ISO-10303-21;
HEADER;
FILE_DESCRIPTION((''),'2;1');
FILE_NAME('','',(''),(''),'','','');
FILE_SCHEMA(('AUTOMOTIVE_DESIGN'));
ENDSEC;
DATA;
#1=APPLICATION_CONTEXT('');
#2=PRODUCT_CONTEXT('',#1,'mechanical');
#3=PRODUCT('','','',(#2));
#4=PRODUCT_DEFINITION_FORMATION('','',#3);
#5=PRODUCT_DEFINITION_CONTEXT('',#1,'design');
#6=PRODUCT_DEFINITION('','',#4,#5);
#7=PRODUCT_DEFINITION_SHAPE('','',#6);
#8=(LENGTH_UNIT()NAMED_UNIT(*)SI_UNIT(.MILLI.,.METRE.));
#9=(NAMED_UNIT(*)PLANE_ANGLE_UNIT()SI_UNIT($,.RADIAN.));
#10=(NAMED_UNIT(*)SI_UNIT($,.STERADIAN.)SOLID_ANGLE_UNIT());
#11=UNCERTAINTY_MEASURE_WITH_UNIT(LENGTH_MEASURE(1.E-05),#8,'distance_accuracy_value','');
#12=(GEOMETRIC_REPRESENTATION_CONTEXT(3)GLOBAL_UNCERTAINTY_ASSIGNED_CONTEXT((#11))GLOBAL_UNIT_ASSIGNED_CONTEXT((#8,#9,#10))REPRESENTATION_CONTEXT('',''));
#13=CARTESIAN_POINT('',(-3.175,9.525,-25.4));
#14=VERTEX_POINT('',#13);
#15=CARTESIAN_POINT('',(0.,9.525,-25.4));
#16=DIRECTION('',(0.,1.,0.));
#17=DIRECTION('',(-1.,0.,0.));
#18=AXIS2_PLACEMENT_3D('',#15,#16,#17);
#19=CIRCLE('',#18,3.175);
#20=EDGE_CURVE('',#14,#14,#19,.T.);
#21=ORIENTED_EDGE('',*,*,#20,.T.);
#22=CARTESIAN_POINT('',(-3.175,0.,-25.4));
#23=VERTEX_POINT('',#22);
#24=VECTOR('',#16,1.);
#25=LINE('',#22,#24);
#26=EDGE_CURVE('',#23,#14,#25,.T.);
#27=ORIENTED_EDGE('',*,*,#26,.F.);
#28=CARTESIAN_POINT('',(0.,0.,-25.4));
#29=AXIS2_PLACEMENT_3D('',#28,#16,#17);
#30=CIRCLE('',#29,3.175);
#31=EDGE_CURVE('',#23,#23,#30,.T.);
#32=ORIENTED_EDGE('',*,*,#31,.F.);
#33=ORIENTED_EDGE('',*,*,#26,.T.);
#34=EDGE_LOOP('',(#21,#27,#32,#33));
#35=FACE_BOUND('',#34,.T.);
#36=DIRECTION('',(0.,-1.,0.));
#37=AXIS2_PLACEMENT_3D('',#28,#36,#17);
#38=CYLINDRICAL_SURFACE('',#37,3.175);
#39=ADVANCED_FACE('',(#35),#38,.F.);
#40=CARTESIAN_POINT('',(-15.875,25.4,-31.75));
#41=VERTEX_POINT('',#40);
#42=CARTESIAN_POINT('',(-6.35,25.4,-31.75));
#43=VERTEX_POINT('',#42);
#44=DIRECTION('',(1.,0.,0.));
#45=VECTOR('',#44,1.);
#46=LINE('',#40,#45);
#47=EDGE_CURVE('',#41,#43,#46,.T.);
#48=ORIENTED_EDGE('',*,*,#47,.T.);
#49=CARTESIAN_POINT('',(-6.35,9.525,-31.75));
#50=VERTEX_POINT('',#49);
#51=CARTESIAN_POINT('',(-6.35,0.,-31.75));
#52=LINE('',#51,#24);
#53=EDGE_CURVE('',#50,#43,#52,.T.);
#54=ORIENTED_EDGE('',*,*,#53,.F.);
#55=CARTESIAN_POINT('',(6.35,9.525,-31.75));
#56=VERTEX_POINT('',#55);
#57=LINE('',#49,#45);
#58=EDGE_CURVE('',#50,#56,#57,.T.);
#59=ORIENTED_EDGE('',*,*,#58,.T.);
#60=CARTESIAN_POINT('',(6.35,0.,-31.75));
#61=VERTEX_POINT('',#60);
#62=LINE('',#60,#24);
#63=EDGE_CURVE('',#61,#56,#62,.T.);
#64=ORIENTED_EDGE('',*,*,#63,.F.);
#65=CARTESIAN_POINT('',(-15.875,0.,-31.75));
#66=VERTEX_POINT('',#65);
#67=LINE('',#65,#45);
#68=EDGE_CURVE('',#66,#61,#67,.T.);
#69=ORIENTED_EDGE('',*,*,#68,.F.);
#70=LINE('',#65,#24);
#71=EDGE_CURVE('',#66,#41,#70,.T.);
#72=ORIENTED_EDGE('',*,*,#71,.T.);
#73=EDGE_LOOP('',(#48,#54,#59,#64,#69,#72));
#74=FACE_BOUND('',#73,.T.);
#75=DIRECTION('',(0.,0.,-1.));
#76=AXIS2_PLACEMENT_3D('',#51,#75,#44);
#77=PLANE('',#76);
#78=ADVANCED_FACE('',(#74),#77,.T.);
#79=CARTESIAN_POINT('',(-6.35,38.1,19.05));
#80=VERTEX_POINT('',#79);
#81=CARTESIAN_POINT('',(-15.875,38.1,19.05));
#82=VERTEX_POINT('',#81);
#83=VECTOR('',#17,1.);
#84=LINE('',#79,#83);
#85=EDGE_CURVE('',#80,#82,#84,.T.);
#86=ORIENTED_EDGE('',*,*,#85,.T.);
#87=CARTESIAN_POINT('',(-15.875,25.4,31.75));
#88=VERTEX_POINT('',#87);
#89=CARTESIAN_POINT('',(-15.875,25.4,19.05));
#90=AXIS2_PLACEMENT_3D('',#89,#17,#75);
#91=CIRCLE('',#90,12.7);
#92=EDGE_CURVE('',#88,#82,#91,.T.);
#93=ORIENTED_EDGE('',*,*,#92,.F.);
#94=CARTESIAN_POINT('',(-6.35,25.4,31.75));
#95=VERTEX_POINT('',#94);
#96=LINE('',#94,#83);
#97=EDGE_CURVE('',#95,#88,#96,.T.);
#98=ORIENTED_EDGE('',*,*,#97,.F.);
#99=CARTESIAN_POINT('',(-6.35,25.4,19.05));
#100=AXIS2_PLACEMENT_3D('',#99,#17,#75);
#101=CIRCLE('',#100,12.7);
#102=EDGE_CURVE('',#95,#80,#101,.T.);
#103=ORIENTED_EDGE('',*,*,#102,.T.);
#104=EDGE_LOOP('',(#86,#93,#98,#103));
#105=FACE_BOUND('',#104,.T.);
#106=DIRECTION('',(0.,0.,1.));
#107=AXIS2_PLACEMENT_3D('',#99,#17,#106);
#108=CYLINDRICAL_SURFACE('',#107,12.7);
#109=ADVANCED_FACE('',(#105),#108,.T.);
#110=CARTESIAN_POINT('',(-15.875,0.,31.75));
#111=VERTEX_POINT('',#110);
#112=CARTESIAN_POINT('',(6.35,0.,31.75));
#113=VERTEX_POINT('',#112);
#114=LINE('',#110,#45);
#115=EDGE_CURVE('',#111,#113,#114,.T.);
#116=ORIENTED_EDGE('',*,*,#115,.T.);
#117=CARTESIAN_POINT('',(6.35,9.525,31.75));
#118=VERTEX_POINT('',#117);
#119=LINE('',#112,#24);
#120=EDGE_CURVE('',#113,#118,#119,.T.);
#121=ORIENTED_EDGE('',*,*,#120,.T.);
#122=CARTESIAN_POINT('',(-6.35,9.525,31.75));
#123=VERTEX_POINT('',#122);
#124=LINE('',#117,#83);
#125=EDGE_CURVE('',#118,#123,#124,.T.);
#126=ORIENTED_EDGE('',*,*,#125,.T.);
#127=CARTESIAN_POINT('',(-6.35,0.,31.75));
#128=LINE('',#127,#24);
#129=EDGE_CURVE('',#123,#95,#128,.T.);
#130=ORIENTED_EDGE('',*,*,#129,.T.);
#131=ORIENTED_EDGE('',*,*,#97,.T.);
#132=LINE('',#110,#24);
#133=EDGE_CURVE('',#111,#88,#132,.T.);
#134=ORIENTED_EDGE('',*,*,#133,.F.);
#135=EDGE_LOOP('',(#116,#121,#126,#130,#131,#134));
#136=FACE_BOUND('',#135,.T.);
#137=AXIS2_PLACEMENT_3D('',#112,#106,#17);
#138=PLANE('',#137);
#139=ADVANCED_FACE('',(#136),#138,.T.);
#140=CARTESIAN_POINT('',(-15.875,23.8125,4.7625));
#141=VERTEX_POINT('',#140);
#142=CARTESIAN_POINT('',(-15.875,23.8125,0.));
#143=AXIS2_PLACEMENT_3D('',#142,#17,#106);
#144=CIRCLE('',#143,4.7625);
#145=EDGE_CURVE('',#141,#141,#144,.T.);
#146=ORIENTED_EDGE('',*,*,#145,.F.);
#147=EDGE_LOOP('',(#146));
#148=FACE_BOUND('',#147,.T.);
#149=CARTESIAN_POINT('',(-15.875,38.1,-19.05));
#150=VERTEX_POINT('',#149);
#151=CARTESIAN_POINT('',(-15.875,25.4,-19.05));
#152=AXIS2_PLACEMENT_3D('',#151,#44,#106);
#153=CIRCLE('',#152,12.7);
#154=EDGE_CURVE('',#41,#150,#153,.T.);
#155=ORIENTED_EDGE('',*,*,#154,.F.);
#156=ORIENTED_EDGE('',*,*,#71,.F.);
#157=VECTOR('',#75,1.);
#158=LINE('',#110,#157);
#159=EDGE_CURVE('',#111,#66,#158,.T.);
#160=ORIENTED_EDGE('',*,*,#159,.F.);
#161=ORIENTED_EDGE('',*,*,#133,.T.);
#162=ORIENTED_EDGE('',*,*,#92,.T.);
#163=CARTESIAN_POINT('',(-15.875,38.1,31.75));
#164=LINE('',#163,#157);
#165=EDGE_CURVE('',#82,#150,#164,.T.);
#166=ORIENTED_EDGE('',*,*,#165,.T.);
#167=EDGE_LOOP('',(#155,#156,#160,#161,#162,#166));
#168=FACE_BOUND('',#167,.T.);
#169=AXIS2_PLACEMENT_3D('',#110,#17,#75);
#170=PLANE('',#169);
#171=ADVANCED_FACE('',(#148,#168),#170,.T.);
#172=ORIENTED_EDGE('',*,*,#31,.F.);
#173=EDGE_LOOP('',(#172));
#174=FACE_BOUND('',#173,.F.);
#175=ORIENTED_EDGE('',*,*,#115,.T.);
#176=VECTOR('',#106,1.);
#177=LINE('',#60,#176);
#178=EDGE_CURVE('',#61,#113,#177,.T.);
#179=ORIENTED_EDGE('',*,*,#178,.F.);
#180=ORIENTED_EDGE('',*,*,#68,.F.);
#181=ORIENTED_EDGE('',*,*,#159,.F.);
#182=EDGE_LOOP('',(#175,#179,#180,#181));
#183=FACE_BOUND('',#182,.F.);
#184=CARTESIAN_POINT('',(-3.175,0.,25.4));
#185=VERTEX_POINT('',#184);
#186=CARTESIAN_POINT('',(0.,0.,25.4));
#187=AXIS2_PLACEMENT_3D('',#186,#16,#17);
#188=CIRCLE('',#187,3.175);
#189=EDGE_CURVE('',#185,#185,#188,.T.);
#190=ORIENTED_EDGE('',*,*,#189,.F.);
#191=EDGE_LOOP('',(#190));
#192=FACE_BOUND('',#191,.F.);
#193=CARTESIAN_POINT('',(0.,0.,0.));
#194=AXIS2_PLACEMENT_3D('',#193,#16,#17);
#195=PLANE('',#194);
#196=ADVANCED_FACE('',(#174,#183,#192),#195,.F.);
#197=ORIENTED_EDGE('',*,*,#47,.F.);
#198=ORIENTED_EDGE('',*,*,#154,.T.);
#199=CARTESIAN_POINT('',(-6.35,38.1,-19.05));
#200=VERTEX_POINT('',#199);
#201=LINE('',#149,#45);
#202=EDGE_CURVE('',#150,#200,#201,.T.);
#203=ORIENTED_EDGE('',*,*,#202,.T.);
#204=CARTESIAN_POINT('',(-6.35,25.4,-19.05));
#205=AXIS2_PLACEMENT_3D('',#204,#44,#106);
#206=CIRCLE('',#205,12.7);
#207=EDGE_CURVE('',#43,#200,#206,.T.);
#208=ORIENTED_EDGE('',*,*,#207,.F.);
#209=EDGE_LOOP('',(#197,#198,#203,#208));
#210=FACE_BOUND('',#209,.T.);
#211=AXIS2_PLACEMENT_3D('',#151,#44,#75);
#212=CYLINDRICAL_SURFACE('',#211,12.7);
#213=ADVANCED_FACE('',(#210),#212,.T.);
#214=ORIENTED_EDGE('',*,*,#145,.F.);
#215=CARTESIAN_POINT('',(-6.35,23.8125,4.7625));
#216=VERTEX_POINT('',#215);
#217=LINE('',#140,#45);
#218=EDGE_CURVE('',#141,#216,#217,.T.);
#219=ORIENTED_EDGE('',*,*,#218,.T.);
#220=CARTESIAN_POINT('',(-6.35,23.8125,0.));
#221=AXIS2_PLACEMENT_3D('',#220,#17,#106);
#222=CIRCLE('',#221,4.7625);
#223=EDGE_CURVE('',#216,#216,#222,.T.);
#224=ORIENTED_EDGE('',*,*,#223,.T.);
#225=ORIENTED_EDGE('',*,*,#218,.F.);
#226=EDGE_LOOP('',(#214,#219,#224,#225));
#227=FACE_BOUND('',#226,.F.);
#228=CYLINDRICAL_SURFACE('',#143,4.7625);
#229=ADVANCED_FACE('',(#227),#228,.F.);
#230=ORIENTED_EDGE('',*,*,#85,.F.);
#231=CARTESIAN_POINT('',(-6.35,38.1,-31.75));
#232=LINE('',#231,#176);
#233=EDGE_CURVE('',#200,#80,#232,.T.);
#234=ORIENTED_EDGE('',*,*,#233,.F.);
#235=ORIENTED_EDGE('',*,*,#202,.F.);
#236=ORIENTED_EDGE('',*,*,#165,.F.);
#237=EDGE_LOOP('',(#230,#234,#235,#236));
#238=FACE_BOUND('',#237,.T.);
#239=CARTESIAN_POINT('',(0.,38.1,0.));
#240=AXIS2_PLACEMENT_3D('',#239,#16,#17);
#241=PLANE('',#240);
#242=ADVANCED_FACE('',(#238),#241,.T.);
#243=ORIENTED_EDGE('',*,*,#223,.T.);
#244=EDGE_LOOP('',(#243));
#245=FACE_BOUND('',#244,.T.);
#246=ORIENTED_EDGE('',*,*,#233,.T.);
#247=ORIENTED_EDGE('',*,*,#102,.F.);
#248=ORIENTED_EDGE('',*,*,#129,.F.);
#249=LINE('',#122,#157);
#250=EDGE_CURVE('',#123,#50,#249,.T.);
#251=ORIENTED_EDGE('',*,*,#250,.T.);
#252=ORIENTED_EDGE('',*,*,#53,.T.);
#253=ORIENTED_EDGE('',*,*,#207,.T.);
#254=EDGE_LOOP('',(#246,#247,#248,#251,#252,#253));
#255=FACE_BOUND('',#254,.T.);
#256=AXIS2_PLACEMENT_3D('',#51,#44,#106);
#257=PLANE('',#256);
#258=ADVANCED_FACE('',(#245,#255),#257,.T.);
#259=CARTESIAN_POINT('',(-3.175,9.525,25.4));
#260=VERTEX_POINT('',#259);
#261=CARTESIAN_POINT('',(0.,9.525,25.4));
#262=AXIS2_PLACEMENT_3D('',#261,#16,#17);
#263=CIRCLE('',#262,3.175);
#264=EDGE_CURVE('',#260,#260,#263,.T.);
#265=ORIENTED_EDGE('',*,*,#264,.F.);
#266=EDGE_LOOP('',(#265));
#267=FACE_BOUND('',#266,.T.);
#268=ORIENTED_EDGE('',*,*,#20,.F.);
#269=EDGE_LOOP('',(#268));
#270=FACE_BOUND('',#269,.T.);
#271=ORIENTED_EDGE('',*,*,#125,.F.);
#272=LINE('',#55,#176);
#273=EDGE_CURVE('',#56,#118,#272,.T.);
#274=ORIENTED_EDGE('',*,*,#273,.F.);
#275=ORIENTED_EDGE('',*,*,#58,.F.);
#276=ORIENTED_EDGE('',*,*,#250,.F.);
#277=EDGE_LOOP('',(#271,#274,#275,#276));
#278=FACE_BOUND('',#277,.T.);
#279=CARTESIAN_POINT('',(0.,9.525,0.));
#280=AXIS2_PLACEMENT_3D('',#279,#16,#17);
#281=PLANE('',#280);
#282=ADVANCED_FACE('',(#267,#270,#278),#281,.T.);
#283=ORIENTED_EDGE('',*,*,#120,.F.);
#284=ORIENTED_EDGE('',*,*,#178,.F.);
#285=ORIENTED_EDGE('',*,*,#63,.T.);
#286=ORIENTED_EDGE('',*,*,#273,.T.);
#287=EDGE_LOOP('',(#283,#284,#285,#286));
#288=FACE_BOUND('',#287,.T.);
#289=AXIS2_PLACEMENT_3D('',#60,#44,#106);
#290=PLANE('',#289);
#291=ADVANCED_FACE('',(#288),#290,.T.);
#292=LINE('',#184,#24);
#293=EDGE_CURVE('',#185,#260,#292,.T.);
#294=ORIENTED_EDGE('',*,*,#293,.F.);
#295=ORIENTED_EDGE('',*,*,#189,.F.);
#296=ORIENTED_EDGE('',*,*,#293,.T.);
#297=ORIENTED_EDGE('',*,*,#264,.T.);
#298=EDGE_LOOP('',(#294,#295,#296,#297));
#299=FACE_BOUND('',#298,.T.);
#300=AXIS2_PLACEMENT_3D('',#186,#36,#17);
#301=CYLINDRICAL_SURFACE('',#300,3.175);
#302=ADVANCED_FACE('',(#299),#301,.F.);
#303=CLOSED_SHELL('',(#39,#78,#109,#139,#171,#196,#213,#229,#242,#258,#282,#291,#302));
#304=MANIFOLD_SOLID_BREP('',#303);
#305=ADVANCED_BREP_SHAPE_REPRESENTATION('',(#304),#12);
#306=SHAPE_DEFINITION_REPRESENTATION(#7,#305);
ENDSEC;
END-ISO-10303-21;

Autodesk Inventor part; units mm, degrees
ref_plane "YZ Plane" through (0, 0, 0) normal (1, 0, 0) x (0, 1, 0)
ref_plane "XZ Plane" through (0, 0, 0) normal (0, 1, 0) x (-1, 0, 0)
ref_plane "XY Plane" through (0, 0, 0) normal (0, 0, 1) x (1, 0, 0)
sketch "Sketch1" plane through (0, 0, 0) normal (0, 1, 0) x (-1, 0, 0)
  line L0 (-6.35, 31.75) -> (6.35, 31.75)
  line L1 (6.35, 31.75) -> (6.35, -31.75)
  line L2 (6.35, -31.75) -> (-6.35, -31.75)
  line L3 (-6.35, -31.75) -> (-6.35, 31.75)
  line L4 (-6.35, 31.75) -> (6.35, -31.75) construction
  line L5 (6.35, 31.75) -> (-6.35, -31.75) construction
  circle A0 centre (0, 25.4) radius 3.175
  circle A1 centre (0, -25.4) radius 3.175
  point P0 (0, 0)
  dimension "d0" = 12.7
  dimension "d1" = 63.5
  dimension "d2" = 6.35
  dimension "d3" = 6.35
  dimension "d4" = 50.8
  dimension "d5" = 6.35
extrude "Extrusion1" add sketch "Sketch1" along normal blind 9.525
sketch "Sketch2" plane through (0, 0, 0) normal (0, 1, 0) x (-1, 0, 0)
  line L0 (6.35, -31.75) -> (6.35, 31.75) projected
  line L1 (6.35, 31.75) -> (15.875, 31.75)
  line L2 (15.875, 31.75) -> (15.875, -31.75)
  line L3 (15.875, -31.75) -> (6.35, -31.75)
  line L4 (6.35, -31.75) -> (6.35, 31.75)
  point P0 (0, 0)
  dimension "d8" = 9.525
extrude "Extrusion2" add sketch "Sketch2" along normal blind 38.1
fillet "Fillet1" radius 12.7 2 edges at (-11.1125, 38.1, 31.75) (-11.1125, 38.1, -31.75)
sketch "Sketch3" plane through (-15.875, 0, -31.75) normal (-1, 0, 0) x (0, 0, 1)
  line L0 (50.8, 38.1) -> (12.7, 38.1) projected
  line L1 (31.75, 38.1) -> (31.75, 23.8125) construction
  circle A0 centre (31.75, 23.8125) radius 4.7625
  point P0 (31.75, 0)
  dimension "d12" = 14.2875
  dimension "d13" = 9.525
extrude "Extrusion3" cut sketch "Sketch3" against normal through all
equation "\"d3\" = d2"
properties part number "drum_holder" material "Aluminum 6061"
